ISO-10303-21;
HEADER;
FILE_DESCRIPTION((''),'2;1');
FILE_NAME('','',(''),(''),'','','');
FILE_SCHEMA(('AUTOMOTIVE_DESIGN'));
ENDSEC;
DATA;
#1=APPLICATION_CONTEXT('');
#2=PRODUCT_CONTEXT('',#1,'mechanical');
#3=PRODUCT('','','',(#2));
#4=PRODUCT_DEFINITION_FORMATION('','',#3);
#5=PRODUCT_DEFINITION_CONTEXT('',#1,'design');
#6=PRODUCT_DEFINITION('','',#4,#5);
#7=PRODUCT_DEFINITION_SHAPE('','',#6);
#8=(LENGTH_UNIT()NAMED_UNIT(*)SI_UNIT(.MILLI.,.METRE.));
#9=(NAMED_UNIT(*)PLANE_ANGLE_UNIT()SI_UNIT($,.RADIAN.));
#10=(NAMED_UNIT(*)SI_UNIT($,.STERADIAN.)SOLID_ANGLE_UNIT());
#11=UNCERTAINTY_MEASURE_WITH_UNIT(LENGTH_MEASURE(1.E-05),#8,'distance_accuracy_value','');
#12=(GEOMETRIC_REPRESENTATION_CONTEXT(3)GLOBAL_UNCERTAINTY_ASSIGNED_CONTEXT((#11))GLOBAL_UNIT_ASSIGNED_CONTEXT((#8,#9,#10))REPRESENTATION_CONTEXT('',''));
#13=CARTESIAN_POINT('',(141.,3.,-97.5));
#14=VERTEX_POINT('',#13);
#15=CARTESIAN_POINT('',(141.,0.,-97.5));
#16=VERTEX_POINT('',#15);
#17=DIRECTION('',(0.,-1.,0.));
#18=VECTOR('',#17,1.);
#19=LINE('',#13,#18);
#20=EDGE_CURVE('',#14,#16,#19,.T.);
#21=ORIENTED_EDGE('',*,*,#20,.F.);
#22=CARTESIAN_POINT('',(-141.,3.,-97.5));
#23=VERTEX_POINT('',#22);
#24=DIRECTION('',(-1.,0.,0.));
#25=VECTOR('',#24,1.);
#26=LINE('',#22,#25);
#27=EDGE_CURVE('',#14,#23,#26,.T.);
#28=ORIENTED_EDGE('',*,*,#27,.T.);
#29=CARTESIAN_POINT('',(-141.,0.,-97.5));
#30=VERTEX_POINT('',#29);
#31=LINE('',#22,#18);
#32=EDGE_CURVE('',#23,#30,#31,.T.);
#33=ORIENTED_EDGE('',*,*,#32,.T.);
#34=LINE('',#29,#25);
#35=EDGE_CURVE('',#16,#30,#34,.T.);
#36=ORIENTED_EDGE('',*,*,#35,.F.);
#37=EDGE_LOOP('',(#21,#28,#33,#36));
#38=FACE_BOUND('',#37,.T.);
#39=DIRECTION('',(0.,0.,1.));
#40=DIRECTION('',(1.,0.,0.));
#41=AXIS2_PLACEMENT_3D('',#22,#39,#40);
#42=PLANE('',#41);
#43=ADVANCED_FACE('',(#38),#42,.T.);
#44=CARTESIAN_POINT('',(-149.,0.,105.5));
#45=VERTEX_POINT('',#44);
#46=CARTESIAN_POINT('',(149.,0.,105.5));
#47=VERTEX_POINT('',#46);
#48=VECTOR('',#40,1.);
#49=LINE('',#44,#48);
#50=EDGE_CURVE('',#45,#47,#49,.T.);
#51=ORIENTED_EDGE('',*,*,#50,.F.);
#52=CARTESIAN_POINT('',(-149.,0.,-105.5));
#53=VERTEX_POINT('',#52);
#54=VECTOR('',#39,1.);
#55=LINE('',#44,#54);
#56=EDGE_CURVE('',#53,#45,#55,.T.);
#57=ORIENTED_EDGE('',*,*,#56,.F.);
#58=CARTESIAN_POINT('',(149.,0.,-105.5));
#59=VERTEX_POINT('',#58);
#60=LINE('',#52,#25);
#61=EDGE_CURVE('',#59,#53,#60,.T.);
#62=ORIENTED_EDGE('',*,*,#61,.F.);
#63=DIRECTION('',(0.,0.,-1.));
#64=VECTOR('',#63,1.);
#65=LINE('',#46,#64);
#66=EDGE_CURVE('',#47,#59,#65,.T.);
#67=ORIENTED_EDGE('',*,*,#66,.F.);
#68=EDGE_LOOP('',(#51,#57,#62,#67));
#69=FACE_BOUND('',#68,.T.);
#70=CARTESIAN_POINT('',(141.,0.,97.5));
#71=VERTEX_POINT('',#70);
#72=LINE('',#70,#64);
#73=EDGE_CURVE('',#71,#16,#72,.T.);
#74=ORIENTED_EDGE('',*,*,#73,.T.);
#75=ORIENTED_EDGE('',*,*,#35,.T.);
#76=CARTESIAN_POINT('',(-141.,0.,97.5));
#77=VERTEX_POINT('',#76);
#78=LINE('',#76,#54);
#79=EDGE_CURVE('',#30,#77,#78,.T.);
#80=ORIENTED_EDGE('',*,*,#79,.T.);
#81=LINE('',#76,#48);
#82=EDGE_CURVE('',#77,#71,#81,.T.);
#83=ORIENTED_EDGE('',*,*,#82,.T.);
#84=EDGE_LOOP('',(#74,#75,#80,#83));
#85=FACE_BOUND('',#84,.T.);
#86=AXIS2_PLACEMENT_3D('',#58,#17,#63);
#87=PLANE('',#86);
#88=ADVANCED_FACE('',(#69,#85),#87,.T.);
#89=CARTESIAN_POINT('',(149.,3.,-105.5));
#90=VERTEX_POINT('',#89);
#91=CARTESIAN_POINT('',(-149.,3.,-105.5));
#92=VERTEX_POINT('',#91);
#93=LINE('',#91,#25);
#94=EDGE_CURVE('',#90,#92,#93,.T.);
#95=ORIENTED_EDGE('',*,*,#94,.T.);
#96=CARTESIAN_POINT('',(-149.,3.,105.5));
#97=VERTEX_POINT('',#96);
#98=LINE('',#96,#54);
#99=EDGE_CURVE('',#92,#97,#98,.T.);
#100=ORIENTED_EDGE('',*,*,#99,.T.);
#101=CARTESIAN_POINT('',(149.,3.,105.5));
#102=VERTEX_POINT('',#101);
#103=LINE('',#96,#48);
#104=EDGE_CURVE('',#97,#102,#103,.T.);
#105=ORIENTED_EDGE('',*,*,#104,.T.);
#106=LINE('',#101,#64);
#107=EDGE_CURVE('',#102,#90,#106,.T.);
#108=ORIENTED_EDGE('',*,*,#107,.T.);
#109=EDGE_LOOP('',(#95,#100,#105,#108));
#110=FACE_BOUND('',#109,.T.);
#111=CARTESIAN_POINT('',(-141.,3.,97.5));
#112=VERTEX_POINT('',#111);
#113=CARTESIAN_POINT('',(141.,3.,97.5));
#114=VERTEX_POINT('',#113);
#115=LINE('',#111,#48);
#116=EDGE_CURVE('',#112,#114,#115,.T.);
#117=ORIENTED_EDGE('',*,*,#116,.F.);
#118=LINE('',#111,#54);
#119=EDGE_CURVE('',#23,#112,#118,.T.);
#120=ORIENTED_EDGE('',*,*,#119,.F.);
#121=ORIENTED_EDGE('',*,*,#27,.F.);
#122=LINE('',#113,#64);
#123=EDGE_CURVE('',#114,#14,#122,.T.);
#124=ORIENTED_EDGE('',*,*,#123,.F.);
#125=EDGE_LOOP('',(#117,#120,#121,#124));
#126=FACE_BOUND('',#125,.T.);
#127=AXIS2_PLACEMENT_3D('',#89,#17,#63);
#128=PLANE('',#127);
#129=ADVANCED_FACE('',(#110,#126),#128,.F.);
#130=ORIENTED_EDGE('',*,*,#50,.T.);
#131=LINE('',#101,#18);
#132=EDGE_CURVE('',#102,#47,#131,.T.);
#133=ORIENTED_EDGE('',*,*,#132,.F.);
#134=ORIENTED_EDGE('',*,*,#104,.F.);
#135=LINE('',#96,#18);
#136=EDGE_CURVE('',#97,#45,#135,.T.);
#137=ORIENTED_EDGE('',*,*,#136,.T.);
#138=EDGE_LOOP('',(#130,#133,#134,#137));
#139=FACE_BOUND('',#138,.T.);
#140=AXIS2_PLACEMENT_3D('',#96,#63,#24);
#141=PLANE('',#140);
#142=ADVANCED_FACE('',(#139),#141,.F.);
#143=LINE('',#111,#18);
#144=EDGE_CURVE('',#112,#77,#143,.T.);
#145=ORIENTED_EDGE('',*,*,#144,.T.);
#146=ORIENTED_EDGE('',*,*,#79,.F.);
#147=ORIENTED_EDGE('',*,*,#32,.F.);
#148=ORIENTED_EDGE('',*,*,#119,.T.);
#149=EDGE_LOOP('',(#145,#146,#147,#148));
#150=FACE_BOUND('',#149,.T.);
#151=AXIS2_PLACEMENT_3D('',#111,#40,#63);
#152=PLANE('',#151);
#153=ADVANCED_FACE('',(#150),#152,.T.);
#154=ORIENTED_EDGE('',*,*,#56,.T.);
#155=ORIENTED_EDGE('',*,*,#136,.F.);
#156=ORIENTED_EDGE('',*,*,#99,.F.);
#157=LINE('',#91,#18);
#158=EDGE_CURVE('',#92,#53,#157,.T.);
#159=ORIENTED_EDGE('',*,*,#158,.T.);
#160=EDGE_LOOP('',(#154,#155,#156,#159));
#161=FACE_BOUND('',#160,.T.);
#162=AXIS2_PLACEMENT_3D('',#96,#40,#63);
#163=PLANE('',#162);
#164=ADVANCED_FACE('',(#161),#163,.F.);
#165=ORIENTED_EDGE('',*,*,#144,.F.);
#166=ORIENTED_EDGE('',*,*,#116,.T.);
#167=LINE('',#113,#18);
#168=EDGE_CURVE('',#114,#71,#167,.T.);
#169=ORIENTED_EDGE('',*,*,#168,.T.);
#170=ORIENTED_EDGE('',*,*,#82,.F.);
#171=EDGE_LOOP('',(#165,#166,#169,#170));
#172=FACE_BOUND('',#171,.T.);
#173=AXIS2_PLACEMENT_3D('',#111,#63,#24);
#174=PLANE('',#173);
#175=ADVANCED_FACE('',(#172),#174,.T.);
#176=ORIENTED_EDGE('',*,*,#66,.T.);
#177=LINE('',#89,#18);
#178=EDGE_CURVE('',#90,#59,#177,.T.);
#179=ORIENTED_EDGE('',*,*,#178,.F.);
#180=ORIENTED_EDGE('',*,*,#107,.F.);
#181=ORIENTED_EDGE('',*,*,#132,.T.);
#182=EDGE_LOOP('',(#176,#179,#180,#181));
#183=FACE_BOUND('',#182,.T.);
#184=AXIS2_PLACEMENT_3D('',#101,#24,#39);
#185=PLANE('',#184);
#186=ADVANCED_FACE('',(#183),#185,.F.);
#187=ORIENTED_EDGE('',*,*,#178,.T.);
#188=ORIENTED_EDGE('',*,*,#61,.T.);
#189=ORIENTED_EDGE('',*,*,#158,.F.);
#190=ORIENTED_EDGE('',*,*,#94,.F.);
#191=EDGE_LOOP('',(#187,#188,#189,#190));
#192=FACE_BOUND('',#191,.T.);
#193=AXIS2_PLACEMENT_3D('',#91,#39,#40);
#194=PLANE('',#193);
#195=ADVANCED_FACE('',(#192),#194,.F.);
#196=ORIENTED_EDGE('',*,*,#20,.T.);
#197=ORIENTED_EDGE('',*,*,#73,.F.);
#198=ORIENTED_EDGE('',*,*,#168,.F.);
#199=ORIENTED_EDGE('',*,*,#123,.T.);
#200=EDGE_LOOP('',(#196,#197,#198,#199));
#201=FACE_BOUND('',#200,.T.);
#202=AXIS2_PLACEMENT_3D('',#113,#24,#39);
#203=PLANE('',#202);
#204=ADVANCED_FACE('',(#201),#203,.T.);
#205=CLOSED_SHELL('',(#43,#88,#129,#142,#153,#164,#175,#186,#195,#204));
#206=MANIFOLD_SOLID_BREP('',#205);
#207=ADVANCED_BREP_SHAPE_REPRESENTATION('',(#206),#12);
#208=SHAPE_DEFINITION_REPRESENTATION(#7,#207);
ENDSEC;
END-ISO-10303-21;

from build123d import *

# Parameters (mm, degrees)
SKETCH2_W      = 298
SKETCH2_H      = 211
SKETCH2_W_2    = 282
SKETCH2_H_2    = 195
EXTRUDE1_DEPTH = 3


with BuildPart() as part:
    # Sketch2 → Extrude1 (new body)
    with BuildSketch(Plane(origin=(0, 0, 0), x_dir=(1, 0, 0), z_dir=(0, 1, 0))):
        Rectangle(SKETCH2_W, SKETCH2_H)
        Rectangle(SKETCH2_W_2, SKETCH2_H_2, mode=Mode.SUBTRACT)
    extrude(amount=EXTRUDE1_DEPTH)


solid = part.part
